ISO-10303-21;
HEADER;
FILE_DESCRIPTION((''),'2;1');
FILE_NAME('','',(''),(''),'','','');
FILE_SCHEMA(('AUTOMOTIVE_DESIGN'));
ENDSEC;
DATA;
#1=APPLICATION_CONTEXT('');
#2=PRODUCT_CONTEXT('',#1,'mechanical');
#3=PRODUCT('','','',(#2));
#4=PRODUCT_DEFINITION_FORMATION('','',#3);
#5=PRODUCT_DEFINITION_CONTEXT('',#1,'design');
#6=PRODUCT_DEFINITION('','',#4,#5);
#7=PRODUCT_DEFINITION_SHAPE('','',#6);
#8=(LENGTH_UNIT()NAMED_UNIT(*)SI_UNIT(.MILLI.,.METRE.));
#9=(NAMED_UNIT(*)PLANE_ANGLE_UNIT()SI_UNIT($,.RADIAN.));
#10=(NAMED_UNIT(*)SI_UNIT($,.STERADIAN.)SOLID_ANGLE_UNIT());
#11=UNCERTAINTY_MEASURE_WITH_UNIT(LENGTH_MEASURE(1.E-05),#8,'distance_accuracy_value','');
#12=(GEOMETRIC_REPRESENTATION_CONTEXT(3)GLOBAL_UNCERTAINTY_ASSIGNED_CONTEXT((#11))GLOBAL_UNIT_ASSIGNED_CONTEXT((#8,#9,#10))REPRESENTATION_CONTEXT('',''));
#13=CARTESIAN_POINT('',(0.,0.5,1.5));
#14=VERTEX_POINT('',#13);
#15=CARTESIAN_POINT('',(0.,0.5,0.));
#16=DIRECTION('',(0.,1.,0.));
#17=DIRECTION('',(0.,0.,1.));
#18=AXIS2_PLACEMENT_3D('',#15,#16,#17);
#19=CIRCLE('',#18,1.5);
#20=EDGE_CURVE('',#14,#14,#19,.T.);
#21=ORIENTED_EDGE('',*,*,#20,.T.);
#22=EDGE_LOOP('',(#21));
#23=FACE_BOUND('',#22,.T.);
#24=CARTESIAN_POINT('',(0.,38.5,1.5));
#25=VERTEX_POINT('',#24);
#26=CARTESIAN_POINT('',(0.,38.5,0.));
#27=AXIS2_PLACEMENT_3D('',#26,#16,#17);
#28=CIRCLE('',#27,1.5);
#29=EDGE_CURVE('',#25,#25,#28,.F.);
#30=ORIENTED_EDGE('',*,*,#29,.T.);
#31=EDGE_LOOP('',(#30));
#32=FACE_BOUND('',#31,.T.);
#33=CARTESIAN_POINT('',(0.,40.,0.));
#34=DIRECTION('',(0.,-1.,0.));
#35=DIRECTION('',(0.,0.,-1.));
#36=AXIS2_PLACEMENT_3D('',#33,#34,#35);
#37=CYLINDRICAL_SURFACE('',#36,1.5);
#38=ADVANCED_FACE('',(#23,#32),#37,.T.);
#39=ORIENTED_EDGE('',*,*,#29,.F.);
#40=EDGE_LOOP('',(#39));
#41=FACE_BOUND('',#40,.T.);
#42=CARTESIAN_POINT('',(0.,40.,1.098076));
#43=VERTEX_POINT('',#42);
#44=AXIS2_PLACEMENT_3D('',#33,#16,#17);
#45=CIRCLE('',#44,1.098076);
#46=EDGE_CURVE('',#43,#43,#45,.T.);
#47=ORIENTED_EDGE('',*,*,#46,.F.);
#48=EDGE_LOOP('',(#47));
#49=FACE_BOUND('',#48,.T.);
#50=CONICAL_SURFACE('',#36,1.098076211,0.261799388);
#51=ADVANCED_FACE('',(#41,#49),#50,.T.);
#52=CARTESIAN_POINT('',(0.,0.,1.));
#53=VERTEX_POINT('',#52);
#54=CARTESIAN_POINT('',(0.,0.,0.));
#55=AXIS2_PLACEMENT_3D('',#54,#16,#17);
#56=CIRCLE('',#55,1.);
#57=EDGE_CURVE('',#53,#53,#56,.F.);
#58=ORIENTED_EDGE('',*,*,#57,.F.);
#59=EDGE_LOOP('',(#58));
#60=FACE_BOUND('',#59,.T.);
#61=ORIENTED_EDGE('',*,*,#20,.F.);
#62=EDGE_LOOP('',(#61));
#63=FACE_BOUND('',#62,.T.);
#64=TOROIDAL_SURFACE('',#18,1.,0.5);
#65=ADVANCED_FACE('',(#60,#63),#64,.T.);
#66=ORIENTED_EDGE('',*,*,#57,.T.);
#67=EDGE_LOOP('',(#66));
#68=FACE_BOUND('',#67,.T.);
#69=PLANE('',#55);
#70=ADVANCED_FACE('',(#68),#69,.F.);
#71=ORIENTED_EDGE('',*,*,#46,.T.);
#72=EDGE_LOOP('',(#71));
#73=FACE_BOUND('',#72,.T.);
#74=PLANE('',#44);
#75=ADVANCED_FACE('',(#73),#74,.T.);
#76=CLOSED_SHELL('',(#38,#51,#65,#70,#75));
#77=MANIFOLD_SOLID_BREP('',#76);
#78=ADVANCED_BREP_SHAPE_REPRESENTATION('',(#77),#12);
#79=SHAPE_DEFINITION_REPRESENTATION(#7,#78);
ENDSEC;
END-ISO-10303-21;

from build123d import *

# Parameters (mm, degrees)
SKETCH1_R           = 1.5
BOSS_EXTRUDE1_DEPTH = 40
CHAMFER1_SIZE       = 1.5
CHAMFER1_SIZE2      = 0.401923789
FILLET1_R           = 0.5


with BuildPart() as part:
    # Sketch1 → Boss-Extrude1 (new body)
    with BuildSketch(Plane(origin=(0, 0, 0), x_dir=(1, 0, 0), z_dir=(0, 1, 0))):
        with Locations(Location((0, 0, 0), (0, 0, 270))):
            Circle(SKETCH1_R)
    extrude(amount=BOSS_EXTRUDE1_DEPTH)

    # Chamfer1
    chamfer1_edges = [part.edges().sort_by_distance(p)[0] for p in [
        (0, 40, -1.5),
    ]]
    chamfer1_side = [part.faces().sort_by_distance(p)[0] for p in [
        (0, 20, -1.5),
    ]]
    chamfer(chamfer1_edges, length=CHAMFER1_SIZE, length2=CHAMFER1_SIZE2, reference=chamfer1_side[0])

    # Fillet1
    fillet1_edges = [part.edges().sort_by_distance(p)[0] for p in [
        (0, 0, -1.5),
    ]]
    fillet(fillet1_edges, radius=FILLET1_R)


solid = part.part
